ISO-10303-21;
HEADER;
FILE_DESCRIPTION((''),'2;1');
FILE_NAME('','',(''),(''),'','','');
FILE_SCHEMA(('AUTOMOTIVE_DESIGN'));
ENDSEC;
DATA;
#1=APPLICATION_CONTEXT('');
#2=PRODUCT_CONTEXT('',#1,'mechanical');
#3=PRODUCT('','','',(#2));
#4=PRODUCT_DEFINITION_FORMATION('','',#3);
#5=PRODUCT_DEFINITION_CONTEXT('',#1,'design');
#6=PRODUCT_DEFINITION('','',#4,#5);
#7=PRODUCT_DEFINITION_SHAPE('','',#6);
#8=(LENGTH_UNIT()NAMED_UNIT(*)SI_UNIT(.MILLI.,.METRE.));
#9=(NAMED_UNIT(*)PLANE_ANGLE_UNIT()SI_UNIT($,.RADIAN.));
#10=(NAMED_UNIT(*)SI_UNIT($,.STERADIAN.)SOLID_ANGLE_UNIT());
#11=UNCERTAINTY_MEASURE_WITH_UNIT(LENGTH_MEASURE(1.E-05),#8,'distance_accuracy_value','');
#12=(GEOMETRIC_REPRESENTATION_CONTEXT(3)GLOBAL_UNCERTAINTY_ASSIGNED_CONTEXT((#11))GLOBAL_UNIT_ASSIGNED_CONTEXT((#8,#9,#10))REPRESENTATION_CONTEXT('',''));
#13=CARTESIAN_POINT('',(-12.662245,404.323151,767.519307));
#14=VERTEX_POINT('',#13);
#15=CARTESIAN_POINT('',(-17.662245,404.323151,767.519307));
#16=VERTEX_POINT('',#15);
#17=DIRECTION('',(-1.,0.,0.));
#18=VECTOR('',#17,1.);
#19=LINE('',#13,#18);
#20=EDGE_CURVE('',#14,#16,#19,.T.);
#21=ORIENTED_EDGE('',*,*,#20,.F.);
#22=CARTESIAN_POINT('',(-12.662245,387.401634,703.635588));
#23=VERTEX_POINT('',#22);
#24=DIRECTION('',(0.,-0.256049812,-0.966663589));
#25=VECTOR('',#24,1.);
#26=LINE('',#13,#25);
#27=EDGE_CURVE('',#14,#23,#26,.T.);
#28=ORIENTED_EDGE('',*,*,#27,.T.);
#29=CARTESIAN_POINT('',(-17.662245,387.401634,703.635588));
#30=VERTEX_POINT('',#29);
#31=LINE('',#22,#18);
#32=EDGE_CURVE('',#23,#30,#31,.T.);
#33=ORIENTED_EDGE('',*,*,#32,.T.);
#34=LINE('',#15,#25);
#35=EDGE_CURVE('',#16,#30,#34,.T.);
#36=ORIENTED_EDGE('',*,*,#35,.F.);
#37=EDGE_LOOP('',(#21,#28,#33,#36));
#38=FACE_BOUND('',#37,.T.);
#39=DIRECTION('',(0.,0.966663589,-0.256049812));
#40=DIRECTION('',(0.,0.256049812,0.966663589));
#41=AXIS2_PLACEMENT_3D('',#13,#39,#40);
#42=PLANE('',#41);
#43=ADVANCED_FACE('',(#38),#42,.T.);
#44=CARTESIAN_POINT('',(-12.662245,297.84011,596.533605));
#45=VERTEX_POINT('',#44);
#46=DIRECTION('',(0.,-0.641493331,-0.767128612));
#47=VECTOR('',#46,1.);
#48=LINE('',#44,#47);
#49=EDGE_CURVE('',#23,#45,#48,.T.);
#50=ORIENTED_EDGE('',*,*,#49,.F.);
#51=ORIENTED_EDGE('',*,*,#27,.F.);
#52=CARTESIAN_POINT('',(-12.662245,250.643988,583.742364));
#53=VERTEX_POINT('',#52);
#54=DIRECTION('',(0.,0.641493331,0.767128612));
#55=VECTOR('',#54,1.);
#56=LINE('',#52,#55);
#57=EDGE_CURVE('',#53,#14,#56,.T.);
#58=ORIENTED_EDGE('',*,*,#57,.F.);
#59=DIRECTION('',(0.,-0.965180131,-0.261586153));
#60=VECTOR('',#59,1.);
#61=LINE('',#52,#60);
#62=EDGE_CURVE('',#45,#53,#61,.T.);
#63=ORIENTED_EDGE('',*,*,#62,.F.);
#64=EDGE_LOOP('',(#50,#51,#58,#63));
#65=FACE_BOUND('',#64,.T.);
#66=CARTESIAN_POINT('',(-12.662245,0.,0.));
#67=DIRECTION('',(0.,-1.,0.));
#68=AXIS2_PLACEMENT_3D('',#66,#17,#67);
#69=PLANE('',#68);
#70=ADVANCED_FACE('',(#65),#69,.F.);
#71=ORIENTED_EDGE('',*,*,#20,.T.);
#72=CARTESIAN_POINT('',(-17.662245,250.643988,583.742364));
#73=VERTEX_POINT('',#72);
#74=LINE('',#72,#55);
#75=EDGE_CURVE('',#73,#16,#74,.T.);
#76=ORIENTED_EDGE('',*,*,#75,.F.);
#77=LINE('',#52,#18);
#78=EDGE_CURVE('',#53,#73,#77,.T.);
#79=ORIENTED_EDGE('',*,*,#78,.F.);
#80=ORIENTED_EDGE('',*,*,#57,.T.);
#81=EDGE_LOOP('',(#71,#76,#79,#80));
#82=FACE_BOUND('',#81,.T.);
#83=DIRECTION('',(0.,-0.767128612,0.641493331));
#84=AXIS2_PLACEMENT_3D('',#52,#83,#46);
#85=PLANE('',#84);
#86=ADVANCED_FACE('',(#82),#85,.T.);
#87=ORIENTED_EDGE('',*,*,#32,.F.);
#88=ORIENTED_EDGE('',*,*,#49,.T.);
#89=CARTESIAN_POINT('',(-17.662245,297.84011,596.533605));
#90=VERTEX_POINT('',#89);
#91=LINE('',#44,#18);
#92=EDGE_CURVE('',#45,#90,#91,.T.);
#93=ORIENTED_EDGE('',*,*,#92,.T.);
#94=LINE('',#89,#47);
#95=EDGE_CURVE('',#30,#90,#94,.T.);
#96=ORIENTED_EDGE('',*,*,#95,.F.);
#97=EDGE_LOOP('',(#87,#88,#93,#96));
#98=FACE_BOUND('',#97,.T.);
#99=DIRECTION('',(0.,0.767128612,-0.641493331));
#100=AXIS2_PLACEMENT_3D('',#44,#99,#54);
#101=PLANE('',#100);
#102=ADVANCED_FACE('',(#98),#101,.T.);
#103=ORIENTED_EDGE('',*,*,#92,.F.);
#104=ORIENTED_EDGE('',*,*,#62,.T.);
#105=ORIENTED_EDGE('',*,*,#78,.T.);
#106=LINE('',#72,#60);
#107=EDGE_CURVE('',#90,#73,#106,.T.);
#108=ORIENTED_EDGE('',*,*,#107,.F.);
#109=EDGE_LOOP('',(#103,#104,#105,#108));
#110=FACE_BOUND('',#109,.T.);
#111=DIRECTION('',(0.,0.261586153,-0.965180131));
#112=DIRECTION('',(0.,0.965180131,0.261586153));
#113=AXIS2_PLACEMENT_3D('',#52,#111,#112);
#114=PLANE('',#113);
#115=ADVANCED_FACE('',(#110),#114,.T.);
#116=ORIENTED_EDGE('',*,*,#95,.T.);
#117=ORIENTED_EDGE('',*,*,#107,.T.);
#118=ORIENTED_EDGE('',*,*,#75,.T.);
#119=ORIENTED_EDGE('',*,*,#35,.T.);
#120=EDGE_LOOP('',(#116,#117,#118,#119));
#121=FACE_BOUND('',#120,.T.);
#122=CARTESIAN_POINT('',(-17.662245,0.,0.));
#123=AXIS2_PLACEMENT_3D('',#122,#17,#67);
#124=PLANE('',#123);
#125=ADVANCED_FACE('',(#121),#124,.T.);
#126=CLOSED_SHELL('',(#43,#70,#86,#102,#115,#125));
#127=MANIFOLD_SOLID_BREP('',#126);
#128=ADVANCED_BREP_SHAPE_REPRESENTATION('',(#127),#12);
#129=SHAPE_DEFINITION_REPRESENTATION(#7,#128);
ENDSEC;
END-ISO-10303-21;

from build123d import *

# Parameters (mm, degrees)
BOSS_EXTRUDE1_DEPTH = 5


with BuildPart() as part:
    # Sketch1 → Boss-Extrude1 (new body)
    with BuildSketch(Plane(origin=(-17.662244882, 82.494913265, -223.055087324), x_dir=(0, -1, 0), z_dir=(-1, 0, 0))):
        Polygon((-168.14907428, 806.797451109), (-321.828237651, 990.574394019), (-304.906720769, 926.69067491), (-215.345197078, 819.588692669), align=None)
    extrude(amount=-BOSS_EXTRUDE1_DEPTH)


solid = part.part
